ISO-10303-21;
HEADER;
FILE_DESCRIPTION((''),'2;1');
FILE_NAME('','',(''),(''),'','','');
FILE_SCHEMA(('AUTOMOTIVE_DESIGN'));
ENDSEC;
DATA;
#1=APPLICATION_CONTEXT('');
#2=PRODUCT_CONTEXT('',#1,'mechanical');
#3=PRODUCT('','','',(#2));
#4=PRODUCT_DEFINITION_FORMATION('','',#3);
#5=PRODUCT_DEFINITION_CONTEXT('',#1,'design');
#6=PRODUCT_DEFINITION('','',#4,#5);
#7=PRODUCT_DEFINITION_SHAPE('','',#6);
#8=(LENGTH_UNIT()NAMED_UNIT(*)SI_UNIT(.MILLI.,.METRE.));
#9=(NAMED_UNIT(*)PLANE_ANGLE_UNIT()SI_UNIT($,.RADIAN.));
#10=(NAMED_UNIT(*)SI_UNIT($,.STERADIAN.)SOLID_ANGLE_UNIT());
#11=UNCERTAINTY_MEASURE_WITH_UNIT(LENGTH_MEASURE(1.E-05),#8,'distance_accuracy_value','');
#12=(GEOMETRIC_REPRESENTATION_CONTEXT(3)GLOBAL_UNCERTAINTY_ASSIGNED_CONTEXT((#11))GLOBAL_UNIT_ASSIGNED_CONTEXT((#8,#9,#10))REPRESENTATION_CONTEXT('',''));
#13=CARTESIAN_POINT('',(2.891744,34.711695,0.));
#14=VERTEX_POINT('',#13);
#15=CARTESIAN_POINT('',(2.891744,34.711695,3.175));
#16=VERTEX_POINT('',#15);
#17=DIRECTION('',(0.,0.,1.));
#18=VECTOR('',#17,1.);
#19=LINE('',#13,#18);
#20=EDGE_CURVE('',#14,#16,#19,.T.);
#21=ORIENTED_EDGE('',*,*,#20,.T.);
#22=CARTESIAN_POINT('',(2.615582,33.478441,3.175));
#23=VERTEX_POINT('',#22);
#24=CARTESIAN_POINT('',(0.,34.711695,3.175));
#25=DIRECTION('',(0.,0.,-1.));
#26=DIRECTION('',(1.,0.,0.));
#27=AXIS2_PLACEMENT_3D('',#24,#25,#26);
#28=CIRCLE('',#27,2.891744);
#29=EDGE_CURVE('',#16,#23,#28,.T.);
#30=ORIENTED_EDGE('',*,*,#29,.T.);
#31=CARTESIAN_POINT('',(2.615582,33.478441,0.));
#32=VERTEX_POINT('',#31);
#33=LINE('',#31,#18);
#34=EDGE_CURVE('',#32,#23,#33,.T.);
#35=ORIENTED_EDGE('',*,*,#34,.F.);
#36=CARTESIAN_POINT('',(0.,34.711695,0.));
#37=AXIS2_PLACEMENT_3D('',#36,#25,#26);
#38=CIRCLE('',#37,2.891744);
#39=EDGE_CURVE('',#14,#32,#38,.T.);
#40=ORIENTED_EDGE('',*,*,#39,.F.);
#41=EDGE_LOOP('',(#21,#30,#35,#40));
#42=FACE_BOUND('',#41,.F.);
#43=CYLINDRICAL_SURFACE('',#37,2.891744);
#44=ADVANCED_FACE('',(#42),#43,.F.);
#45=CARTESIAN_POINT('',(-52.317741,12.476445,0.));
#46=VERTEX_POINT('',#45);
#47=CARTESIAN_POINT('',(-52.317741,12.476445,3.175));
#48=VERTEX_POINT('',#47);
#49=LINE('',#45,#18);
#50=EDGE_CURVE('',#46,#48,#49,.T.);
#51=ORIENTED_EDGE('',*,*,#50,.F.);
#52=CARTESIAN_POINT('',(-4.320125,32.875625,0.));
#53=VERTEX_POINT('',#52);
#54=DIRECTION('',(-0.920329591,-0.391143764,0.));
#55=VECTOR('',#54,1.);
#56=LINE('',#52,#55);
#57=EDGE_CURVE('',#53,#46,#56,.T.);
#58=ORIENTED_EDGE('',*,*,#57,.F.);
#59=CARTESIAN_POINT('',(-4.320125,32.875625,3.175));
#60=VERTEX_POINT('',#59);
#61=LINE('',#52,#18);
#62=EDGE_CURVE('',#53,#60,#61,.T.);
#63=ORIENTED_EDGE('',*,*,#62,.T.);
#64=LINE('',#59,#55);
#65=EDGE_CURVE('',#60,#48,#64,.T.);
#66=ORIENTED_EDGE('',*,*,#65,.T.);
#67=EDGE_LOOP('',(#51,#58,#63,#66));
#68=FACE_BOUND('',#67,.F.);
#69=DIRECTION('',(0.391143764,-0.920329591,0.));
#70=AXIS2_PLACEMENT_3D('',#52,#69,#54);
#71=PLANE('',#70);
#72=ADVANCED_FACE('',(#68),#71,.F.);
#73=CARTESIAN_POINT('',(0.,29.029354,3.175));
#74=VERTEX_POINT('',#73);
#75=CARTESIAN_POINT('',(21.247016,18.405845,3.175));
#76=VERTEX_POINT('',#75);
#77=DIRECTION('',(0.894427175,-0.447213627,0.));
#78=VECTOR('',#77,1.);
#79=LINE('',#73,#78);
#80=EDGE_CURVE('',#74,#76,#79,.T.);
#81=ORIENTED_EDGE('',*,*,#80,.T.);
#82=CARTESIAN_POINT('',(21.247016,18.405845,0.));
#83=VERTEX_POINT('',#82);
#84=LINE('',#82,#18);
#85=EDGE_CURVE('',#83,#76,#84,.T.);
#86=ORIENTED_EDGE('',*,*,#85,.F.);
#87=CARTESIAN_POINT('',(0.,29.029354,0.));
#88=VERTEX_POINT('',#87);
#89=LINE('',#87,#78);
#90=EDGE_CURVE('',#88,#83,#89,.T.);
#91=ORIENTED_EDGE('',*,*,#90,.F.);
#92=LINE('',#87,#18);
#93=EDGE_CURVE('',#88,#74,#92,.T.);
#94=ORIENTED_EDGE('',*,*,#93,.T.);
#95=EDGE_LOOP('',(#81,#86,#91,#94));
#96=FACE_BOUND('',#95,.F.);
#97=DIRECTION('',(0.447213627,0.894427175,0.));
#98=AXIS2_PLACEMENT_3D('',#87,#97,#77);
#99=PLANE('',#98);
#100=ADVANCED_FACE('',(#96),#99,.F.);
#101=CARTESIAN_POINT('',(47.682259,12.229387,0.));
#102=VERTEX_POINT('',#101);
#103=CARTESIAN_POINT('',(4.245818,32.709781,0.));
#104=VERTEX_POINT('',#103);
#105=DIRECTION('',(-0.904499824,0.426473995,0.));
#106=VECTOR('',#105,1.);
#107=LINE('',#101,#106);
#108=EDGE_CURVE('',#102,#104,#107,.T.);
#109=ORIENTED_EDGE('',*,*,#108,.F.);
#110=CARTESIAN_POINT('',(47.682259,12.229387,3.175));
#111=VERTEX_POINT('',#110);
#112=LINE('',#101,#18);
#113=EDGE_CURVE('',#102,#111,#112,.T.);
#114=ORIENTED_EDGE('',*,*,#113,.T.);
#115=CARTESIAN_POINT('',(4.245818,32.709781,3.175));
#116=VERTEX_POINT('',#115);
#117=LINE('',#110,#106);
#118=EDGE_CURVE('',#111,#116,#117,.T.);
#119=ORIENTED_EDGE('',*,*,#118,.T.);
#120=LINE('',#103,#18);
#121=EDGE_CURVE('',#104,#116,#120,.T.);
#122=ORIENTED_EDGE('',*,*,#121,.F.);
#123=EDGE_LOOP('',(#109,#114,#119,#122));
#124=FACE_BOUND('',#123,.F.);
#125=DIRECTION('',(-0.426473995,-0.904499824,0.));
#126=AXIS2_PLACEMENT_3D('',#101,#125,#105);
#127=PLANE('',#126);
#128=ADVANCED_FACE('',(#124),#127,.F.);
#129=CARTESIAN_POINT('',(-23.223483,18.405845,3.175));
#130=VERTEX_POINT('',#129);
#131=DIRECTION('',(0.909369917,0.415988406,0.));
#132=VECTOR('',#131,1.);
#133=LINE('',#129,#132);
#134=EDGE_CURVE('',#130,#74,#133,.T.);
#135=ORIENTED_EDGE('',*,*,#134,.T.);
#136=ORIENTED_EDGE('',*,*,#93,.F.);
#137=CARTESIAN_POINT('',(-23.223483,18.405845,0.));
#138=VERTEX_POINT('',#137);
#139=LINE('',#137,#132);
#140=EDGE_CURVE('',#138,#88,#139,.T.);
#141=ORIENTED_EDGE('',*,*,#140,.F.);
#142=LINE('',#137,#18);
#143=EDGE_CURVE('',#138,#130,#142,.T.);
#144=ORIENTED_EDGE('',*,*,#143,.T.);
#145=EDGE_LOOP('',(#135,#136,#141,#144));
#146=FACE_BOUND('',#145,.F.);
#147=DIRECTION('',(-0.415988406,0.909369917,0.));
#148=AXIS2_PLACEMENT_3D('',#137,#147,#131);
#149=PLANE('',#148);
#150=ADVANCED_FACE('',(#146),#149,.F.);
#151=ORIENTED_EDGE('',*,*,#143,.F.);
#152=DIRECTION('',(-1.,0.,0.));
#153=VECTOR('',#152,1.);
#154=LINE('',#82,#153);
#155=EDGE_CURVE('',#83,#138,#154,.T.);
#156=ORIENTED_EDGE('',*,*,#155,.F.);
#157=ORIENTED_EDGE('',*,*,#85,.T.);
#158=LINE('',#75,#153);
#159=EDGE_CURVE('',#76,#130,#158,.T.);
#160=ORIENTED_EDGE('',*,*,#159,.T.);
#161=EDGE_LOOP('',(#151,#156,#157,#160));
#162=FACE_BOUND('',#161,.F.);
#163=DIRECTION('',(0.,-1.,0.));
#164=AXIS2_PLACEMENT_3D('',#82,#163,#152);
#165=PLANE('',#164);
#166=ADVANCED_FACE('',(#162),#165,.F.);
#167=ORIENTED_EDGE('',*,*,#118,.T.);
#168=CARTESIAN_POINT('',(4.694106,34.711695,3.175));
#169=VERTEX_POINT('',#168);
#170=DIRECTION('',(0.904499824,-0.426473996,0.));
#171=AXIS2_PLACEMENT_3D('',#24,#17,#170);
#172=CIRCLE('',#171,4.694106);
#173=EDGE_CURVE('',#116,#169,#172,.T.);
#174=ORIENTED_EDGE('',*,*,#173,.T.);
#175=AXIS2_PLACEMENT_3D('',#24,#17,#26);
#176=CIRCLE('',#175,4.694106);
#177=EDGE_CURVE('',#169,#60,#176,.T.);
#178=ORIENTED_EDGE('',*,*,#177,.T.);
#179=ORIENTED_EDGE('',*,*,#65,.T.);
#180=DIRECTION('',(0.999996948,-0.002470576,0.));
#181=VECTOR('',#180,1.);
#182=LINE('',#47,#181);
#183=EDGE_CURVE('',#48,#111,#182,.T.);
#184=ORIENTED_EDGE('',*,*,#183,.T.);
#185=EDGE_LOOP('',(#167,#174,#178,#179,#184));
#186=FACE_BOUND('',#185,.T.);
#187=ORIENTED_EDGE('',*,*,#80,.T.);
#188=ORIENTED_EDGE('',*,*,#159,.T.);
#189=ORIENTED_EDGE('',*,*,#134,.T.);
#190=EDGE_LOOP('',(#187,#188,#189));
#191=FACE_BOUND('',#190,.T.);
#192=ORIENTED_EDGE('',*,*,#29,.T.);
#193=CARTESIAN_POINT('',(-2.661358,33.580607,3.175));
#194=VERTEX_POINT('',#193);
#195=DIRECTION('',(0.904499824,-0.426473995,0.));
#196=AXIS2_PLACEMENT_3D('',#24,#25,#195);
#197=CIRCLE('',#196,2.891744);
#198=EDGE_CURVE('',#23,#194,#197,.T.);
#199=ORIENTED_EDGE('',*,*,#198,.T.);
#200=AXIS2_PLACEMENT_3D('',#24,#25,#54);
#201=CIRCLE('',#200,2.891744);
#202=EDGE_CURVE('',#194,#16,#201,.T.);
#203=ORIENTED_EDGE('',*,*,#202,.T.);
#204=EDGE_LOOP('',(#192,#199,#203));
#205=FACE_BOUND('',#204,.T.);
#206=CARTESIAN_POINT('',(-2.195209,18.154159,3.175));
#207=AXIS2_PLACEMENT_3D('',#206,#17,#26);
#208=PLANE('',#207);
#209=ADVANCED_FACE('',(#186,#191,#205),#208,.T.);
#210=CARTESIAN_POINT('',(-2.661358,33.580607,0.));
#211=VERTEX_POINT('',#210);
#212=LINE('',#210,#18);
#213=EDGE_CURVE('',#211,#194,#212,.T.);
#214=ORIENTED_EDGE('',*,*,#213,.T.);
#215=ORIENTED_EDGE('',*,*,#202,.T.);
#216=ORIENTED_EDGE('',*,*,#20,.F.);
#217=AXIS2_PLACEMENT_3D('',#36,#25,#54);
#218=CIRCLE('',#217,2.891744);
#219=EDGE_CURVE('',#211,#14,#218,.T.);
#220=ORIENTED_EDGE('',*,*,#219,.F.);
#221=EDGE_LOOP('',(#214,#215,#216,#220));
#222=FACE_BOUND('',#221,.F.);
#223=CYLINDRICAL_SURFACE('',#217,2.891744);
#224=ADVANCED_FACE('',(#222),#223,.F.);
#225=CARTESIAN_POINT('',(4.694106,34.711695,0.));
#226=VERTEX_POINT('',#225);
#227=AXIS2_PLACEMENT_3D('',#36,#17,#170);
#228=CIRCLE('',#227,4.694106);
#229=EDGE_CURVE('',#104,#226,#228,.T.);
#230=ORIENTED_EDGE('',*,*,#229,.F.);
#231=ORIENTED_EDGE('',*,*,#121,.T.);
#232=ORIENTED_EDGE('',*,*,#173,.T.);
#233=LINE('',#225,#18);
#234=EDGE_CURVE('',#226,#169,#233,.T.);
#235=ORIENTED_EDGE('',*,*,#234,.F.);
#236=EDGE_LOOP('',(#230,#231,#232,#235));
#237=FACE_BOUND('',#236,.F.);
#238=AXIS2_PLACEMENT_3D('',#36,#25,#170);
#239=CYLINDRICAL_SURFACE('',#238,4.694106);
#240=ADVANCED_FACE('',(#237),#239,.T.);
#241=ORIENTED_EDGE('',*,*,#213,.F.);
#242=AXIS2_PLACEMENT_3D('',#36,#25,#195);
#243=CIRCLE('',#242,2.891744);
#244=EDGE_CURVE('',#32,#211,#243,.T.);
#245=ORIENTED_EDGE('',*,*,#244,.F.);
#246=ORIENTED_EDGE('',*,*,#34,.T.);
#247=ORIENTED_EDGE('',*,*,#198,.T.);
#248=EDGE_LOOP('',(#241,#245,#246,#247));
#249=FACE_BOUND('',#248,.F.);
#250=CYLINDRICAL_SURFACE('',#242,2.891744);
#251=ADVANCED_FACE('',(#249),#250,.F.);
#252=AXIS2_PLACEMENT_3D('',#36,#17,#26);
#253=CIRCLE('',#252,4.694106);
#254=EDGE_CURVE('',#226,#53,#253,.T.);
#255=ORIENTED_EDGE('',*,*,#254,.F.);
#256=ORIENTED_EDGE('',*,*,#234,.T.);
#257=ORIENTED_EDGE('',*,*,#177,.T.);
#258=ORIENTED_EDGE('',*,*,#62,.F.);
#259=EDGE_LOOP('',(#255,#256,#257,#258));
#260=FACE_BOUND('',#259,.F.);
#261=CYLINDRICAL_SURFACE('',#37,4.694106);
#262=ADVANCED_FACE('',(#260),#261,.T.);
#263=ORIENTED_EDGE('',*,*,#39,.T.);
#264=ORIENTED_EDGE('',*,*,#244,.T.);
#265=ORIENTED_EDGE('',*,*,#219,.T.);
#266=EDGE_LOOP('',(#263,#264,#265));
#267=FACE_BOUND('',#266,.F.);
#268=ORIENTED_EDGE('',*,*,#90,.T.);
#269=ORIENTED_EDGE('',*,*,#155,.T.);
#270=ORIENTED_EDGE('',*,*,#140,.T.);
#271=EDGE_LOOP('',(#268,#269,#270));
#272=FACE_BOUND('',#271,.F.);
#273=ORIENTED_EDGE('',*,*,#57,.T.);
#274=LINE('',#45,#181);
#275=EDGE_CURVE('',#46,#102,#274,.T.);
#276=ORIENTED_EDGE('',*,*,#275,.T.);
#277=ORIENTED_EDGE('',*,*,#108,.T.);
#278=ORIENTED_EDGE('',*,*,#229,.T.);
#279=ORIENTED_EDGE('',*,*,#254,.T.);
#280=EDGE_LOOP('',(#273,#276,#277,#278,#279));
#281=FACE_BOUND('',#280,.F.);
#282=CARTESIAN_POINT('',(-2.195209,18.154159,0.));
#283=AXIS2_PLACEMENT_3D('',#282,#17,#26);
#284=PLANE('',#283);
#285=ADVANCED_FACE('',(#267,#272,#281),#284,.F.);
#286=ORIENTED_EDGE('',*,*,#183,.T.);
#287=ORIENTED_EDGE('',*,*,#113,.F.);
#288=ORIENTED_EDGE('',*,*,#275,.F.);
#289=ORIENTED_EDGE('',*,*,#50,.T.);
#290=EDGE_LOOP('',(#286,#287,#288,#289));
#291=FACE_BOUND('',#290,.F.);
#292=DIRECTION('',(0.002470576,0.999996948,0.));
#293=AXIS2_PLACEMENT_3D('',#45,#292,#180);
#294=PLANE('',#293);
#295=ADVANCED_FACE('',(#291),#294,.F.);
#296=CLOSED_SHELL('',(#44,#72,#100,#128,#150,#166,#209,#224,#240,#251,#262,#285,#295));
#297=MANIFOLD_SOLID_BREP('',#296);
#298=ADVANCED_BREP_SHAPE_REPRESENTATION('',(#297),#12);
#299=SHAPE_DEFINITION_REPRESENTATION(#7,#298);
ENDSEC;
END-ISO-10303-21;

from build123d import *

# Parameters (mm, degrees)
F1_DEPTH = 3.175


with BuildPart() as f1:
    # F0 (on Top) → F1 (new body)
    with BuildSketch(Plane.XY):
        with BuildLine():
            Line((-4.3201246383, 32.8756247673), (-52.3177409886, 12.4764454789))
            Line((-52.3177409886, 12.4764454789), (47.6822590114, 12.229387171))
            Line((47.6822590114, 12.229387171), (4.2458180338, 32.7097809168))
            ThreePointArc((4.2458180338, 32.7097809168), (-0.0908648092, 30.0184685951), (-4.3201246383, 32.8756247673))
        make_face()
        Polygon((21.2470163402, 18.4058448669), (-23.2234828029, 18.4058448669), (0, 29.0293539702), align=None, mode=Mode.SUBTRACT)
        with BuildLine():
            ThreePointArc((4.6941059825, 34.7116950504), (-0.9368852825, 39.3113555751), (-4.3201246383, 32.8756247673))
            Line((-4.3201246383, 32.8756247673), (-2.6613575829, 33.5806074129))
            ThreePointArc((-2.6613575829, 33.5806074129), (-0.5771562072, 37.5452571444), (2.8917440114, 34.7116950504))
            ThreePointArc((2.8917440114, 34.7116950504), (2.8218590383, 34.0797971192), (2.6155819487, 33.478441428))
            Line((2.6155819487, 33.478441428), (4.2458180338, 32.7097809168))
            ThreePointArc((4.2458180338, 32.7097809168), (4.5806632057, 33.6859487023), (4.6941059825, 34.7116950504))
        make_face()
        with BuildLine():
            Line((-2.6613575829, 33.5806074129), (-4.3201246383, 32.8756247673))
            ThreePointArc((-4.3201246383, 32.8756247673), (-0.0908648092, 30.0184685951), (4.2458180338, 32.7097809168))
            Line((4.2458180338, 32.7097809168), (2.6155819487, 33.478441428))
            ThreePointArc((2.6155819487, 33.478441428), (-0.0559761047, 31.8204928605), (-2.6613575829, 33.5806074129))
        make_face()
    extrude(amount=F1_DEPTH)


solid = f1.part
